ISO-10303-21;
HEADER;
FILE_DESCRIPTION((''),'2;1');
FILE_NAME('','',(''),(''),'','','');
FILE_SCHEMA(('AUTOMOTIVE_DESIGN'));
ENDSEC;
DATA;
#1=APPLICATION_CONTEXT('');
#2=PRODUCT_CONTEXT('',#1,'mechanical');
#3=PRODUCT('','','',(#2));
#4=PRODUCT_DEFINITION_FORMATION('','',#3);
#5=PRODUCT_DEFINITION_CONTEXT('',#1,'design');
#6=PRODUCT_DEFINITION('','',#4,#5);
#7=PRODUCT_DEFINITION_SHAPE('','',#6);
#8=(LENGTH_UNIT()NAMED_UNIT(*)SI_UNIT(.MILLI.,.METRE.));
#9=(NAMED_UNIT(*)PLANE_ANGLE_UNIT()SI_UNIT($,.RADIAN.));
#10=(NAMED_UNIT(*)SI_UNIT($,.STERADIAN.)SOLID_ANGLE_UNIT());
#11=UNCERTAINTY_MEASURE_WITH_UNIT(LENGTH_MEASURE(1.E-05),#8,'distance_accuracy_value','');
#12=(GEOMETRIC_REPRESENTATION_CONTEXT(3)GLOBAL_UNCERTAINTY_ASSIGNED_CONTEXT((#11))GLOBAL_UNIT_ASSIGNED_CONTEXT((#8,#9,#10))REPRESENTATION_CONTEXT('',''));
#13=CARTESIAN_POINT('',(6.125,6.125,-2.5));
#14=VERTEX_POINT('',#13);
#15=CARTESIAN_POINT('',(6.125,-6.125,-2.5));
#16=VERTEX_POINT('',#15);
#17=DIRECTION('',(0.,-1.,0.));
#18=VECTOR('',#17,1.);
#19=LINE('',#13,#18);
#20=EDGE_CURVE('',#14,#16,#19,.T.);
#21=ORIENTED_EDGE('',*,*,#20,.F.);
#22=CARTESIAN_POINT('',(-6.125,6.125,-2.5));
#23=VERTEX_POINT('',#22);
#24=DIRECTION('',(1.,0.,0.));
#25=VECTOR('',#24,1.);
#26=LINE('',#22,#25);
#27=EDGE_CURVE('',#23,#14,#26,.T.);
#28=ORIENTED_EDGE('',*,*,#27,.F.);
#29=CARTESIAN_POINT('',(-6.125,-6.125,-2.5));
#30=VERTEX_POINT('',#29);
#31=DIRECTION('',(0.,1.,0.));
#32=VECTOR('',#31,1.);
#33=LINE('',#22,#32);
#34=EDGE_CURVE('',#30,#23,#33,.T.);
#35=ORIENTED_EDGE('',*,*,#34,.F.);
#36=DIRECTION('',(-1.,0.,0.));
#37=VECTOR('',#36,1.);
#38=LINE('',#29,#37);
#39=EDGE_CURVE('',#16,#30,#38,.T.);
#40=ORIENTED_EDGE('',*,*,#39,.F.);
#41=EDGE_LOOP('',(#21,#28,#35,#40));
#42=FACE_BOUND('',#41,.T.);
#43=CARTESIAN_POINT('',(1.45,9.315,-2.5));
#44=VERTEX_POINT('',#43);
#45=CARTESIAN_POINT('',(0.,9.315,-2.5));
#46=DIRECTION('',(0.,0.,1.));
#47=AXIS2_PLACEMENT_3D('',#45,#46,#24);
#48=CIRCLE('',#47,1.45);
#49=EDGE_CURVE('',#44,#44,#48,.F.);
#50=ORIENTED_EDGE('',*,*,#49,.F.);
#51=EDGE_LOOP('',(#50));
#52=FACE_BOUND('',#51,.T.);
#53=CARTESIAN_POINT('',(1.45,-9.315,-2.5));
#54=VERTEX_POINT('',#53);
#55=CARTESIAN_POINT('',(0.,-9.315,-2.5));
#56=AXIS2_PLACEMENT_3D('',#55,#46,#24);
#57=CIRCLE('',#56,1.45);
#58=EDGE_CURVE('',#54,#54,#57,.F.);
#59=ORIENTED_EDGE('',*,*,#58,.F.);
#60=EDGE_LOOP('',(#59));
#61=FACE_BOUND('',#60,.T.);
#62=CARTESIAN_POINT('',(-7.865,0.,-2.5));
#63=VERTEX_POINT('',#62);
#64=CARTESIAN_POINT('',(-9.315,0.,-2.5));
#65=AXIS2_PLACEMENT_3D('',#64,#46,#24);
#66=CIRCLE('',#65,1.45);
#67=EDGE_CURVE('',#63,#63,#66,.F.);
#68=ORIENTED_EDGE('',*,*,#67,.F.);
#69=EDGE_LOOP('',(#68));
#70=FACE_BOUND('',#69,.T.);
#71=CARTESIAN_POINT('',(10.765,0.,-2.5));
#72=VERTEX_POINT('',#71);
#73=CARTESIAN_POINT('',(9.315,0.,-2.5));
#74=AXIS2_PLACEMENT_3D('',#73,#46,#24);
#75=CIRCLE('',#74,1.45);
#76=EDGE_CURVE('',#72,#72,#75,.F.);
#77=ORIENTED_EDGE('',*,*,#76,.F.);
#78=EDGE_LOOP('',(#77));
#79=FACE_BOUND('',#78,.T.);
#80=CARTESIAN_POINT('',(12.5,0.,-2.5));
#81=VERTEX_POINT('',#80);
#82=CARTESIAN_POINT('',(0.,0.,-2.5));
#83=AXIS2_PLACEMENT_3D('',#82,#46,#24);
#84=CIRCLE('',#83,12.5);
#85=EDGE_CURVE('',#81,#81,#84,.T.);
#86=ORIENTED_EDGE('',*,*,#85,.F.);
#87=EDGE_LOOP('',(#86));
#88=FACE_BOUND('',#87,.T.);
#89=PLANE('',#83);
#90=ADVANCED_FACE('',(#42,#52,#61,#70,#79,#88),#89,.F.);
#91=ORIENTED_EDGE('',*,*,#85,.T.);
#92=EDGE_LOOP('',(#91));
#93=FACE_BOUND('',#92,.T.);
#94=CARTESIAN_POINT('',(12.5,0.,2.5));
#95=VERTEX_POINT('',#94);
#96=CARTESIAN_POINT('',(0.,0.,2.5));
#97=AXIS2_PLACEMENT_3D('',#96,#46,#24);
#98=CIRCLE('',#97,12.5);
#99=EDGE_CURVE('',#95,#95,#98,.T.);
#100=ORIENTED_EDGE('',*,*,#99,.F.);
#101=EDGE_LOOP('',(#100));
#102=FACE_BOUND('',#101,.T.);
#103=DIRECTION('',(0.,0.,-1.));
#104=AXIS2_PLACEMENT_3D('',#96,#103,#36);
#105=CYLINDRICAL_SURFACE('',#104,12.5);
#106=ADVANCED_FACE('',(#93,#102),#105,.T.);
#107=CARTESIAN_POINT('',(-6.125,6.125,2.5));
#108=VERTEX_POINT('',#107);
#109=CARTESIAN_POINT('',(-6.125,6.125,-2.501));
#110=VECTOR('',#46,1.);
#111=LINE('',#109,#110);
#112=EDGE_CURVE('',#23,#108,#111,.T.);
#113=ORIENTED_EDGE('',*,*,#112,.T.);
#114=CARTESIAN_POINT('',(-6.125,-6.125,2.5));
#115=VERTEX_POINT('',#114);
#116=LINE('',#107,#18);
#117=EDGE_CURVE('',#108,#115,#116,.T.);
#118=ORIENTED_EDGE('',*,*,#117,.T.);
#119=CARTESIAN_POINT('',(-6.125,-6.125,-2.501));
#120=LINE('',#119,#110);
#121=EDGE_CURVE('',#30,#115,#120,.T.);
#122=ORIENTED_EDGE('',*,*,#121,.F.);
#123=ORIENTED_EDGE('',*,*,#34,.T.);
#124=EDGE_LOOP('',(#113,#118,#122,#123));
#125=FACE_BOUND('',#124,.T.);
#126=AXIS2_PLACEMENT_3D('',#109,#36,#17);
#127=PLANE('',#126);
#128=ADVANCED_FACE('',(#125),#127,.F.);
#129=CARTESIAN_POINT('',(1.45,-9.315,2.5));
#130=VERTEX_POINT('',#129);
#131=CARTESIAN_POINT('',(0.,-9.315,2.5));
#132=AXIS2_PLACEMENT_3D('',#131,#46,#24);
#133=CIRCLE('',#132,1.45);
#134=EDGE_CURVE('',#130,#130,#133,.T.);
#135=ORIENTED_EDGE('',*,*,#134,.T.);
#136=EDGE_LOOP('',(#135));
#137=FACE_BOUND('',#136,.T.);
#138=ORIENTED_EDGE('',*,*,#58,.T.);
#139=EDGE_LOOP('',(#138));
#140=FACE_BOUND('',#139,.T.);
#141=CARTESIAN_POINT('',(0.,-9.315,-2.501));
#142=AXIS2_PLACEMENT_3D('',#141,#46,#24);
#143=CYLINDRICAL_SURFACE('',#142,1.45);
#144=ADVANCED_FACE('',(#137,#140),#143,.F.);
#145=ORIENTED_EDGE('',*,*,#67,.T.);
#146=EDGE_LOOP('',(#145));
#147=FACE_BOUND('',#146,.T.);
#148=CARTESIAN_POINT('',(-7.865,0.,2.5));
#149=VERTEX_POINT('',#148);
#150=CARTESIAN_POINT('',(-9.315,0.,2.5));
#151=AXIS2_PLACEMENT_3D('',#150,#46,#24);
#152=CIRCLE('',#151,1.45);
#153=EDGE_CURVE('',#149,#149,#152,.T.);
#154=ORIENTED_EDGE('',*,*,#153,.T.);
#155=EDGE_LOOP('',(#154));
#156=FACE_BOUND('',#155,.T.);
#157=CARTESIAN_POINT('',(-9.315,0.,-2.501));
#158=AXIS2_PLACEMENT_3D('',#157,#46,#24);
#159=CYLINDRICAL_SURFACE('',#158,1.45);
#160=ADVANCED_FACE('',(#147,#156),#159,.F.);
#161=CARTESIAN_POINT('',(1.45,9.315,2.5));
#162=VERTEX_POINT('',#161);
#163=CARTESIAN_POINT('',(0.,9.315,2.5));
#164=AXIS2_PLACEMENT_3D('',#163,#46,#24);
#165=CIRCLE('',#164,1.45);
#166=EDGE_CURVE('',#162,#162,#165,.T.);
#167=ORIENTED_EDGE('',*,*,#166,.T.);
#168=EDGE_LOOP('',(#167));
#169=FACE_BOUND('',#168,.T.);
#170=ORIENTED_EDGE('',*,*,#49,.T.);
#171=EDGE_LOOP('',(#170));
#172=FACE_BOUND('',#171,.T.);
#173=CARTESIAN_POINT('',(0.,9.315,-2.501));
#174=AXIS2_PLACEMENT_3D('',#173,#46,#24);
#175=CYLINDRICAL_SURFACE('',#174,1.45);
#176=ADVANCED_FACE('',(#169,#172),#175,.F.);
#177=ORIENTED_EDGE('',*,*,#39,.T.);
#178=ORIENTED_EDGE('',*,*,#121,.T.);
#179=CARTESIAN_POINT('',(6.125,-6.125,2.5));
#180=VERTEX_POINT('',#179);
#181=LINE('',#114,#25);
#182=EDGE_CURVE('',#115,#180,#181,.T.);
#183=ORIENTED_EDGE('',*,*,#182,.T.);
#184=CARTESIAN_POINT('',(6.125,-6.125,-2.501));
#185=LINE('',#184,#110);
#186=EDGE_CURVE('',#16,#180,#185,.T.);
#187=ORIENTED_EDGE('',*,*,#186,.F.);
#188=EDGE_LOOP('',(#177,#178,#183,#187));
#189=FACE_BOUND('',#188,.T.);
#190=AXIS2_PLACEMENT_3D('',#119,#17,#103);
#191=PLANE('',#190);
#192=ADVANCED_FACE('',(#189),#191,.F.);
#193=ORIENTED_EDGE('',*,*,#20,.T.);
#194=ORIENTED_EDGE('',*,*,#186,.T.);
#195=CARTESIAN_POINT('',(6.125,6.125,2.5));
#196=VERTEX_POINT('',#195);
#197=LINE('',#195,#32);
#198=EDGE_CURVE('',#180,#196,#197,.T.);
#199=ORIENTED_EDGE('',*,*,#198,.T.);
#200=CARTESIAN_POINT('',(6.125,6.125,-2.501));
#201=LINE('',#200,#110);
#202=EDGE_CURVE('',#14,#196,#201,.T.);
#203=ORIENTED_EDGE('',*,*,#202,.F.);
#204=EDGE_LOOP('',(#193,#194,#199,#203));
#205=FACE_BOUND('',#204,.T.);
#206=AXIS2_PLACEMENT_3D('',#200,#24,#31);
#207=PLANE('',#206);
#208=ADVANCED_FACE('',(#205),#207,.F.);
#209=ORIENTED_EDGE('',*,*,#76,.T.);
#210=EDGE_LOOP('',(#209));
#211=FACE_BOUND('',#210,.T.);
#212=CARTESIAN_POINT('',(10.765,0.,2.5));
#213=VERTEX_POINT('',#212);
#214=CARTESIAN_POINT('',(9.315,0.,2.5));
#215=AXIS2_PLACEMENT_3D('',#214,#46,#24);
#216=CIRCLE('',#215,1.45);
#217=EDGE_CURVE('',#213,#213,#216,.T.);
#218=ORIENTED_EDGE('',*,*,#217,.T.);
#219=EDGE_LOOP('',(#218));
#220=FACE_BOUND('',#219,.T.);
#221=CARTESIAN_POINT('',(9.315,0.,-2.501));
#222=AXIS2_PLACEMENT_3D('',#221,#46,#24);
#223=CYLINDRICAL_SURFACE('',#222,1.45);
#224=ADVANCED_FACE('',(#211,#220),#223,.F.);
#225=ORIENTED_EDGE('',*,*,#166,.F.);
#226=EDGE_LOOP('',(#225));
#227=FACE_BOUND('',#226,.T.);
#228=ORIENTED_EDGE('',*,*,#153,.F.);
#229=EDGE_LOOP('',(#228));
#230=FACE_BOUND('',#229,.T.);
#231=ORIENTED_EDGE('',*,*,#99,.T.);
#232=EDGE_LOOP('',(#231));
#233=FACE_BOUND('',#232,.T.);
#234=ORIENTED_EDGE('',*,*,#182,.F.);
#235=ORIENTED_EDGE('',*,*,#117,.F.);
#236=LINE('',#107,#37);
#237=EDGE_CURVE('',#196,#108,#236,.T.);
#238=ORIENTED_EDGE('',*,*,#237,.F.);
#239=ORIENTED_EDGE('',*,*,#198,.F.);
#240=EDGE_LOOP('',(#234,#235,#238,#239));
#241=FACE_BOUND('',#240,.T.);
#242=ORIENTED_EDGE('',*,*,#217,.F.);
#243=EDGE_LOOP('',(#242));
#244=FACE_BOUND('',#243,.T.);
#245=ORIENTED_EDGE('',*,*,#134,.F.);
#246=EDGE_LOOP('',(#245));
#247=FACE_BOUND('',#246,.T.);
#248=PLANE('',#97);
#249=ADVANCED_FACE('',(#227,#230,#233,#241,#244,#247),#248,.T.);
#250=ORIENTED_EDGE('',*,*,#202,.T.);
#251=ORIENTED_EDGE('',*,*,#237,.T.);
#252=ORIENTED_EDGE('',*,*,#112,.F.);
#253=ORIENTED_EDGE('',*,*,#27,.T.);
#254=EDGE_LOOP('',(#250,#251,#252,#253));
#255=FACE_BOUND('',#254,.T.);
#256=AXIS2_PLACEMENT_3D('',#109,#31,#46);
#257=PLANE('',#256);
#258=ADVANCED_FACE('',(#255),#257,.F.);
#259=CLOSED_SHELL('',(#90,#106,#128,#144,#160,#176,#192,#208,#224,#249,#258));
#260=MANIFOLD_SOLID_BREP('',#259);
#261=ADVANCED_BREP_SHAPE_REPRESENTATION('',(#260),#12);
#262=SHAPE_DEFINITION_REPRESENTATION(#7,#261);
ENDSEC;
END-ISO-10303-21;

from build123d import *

# Parameters (mm, degrees)
SKETCH1_R           = 12.5
BOSS_EXTRUDE1_DEPTH = 2.5
CUT_EXTRUDE1_REACH  = 20.371
SKETCH8_W           = 12.25
SKETCH8_H           = 12.25
CUT_EXTRUDE4_REACH  = 20.371
SKETCH11_R          = 1.45


with BuildPart() as part:
    # Sketch1 → Boss-Extrude1 (new, symmetric)
    with BuildSketch(Plane.XY):
        Circle(SKETCH1_R)
    extrude(amount=BOSS_EXTRUDE1_DEPTH, both=True)

    # Sketch8 → Cut-Extrude1 (cut, up to next)
    with BuildSketch(Plane.XY.offset(2.5), mode=Mode.PRIVATE) as cut_extrude1_sk1:
        Rectangle(SKETCH8_W, SKETCH8_H)
    cut_extrude1_tool1 = extrude(cut_extrude1_sk1.sketch, amount=-CUT_EXTRUDE1_REACH, mode=Mode.PRIVATE) & part.part
    add(cut_extrude1_tool1.solids().sort_by_distance((0, 0, 2.5))[0], mode=Mode.SUBTRACT)

    # Sketch11 → Cut-Extrude4 (cut, up to next)
    with BuildSketch(Plane.XY.offset(2.5), mode=Mode.PRIVATE) as cut_extrude4_sk1:
        with Locations((9.315, 0)):
            Circle(SKETCH11_R)
    cut_extrude4_tool1 = extrude(cut_extrude4_sk1.sketch, amount=-CUT_EXTRUDE4_REACH, mode=Mode.PRIVATE) & part.part
    # Sketch11 → Cut-Extrude4 (cut, up to next)
    with BuildSketch(Plane.XY.offset(2.5), mode=Mode.PRIVATE) as cut_extrude4_sk2:
        with Locations((0, -9.315)):
            Circle(SKETCH11_R)
    cut_extrude4_tool2 = extrude(cut_extrude4_sk2.sketch, amount=-CUT_EXTRUDE4_REACH, mode=Mode.PRIVATE) & part.part
    # Sketch11 → Cut-Extrude4 (cut, up to next)
    with BuildSketch(Plane.XY.offset(2.5), mode=Mode.PRIVATE) as cut_extrude4_sk3:
        with Locations((-9.315, 0)):
            Circle(SKETCH11_R)
    cut_extrude4_tool3 = extrude(cut_extrude4_sk3.sketch, amount=-CUT_EXTRUDE4_REACH, mode=Mode.PRIVATE) & part.part
    # Sketch11 → Cut-Extrude4 (cut, up to next)
    with BuildSketch(Plane.XY.offset(2.5), mode=Mode.PRIVATE) as cut_extrude4_sk4:
        with Locations((0, 9.315)):
            Circle(SKETCH11_R)
    cut_extrude4_tool4 = extrude(cut_extrude4_sk4.sketch, amount=-CUT_EXTRUDE4_REACH, mode=Mode.PRIVATE) & part.part
    add(cut_extrude4_tool1.solids().sort_by_distance((9.315, 0, 2.5))[0], mode=Mode.SUBTRACT)
    add(cut_extrude4_tool2.solids().sort_by_distance((0, -9.315, 2.5))[0], mode=Mode.SUBTRACT)
    add(cut_extrude4_tool3.solids().sort_by_distance((-9.315, 0, 2.5))[0], mode=Mode.SUBTRACT)
    add(cut_extrude4_tool4.solids().sort_by_distance((0, 9.315, 2.5))[0], mode=Mode.SUBTRACT)


solid = part.part
